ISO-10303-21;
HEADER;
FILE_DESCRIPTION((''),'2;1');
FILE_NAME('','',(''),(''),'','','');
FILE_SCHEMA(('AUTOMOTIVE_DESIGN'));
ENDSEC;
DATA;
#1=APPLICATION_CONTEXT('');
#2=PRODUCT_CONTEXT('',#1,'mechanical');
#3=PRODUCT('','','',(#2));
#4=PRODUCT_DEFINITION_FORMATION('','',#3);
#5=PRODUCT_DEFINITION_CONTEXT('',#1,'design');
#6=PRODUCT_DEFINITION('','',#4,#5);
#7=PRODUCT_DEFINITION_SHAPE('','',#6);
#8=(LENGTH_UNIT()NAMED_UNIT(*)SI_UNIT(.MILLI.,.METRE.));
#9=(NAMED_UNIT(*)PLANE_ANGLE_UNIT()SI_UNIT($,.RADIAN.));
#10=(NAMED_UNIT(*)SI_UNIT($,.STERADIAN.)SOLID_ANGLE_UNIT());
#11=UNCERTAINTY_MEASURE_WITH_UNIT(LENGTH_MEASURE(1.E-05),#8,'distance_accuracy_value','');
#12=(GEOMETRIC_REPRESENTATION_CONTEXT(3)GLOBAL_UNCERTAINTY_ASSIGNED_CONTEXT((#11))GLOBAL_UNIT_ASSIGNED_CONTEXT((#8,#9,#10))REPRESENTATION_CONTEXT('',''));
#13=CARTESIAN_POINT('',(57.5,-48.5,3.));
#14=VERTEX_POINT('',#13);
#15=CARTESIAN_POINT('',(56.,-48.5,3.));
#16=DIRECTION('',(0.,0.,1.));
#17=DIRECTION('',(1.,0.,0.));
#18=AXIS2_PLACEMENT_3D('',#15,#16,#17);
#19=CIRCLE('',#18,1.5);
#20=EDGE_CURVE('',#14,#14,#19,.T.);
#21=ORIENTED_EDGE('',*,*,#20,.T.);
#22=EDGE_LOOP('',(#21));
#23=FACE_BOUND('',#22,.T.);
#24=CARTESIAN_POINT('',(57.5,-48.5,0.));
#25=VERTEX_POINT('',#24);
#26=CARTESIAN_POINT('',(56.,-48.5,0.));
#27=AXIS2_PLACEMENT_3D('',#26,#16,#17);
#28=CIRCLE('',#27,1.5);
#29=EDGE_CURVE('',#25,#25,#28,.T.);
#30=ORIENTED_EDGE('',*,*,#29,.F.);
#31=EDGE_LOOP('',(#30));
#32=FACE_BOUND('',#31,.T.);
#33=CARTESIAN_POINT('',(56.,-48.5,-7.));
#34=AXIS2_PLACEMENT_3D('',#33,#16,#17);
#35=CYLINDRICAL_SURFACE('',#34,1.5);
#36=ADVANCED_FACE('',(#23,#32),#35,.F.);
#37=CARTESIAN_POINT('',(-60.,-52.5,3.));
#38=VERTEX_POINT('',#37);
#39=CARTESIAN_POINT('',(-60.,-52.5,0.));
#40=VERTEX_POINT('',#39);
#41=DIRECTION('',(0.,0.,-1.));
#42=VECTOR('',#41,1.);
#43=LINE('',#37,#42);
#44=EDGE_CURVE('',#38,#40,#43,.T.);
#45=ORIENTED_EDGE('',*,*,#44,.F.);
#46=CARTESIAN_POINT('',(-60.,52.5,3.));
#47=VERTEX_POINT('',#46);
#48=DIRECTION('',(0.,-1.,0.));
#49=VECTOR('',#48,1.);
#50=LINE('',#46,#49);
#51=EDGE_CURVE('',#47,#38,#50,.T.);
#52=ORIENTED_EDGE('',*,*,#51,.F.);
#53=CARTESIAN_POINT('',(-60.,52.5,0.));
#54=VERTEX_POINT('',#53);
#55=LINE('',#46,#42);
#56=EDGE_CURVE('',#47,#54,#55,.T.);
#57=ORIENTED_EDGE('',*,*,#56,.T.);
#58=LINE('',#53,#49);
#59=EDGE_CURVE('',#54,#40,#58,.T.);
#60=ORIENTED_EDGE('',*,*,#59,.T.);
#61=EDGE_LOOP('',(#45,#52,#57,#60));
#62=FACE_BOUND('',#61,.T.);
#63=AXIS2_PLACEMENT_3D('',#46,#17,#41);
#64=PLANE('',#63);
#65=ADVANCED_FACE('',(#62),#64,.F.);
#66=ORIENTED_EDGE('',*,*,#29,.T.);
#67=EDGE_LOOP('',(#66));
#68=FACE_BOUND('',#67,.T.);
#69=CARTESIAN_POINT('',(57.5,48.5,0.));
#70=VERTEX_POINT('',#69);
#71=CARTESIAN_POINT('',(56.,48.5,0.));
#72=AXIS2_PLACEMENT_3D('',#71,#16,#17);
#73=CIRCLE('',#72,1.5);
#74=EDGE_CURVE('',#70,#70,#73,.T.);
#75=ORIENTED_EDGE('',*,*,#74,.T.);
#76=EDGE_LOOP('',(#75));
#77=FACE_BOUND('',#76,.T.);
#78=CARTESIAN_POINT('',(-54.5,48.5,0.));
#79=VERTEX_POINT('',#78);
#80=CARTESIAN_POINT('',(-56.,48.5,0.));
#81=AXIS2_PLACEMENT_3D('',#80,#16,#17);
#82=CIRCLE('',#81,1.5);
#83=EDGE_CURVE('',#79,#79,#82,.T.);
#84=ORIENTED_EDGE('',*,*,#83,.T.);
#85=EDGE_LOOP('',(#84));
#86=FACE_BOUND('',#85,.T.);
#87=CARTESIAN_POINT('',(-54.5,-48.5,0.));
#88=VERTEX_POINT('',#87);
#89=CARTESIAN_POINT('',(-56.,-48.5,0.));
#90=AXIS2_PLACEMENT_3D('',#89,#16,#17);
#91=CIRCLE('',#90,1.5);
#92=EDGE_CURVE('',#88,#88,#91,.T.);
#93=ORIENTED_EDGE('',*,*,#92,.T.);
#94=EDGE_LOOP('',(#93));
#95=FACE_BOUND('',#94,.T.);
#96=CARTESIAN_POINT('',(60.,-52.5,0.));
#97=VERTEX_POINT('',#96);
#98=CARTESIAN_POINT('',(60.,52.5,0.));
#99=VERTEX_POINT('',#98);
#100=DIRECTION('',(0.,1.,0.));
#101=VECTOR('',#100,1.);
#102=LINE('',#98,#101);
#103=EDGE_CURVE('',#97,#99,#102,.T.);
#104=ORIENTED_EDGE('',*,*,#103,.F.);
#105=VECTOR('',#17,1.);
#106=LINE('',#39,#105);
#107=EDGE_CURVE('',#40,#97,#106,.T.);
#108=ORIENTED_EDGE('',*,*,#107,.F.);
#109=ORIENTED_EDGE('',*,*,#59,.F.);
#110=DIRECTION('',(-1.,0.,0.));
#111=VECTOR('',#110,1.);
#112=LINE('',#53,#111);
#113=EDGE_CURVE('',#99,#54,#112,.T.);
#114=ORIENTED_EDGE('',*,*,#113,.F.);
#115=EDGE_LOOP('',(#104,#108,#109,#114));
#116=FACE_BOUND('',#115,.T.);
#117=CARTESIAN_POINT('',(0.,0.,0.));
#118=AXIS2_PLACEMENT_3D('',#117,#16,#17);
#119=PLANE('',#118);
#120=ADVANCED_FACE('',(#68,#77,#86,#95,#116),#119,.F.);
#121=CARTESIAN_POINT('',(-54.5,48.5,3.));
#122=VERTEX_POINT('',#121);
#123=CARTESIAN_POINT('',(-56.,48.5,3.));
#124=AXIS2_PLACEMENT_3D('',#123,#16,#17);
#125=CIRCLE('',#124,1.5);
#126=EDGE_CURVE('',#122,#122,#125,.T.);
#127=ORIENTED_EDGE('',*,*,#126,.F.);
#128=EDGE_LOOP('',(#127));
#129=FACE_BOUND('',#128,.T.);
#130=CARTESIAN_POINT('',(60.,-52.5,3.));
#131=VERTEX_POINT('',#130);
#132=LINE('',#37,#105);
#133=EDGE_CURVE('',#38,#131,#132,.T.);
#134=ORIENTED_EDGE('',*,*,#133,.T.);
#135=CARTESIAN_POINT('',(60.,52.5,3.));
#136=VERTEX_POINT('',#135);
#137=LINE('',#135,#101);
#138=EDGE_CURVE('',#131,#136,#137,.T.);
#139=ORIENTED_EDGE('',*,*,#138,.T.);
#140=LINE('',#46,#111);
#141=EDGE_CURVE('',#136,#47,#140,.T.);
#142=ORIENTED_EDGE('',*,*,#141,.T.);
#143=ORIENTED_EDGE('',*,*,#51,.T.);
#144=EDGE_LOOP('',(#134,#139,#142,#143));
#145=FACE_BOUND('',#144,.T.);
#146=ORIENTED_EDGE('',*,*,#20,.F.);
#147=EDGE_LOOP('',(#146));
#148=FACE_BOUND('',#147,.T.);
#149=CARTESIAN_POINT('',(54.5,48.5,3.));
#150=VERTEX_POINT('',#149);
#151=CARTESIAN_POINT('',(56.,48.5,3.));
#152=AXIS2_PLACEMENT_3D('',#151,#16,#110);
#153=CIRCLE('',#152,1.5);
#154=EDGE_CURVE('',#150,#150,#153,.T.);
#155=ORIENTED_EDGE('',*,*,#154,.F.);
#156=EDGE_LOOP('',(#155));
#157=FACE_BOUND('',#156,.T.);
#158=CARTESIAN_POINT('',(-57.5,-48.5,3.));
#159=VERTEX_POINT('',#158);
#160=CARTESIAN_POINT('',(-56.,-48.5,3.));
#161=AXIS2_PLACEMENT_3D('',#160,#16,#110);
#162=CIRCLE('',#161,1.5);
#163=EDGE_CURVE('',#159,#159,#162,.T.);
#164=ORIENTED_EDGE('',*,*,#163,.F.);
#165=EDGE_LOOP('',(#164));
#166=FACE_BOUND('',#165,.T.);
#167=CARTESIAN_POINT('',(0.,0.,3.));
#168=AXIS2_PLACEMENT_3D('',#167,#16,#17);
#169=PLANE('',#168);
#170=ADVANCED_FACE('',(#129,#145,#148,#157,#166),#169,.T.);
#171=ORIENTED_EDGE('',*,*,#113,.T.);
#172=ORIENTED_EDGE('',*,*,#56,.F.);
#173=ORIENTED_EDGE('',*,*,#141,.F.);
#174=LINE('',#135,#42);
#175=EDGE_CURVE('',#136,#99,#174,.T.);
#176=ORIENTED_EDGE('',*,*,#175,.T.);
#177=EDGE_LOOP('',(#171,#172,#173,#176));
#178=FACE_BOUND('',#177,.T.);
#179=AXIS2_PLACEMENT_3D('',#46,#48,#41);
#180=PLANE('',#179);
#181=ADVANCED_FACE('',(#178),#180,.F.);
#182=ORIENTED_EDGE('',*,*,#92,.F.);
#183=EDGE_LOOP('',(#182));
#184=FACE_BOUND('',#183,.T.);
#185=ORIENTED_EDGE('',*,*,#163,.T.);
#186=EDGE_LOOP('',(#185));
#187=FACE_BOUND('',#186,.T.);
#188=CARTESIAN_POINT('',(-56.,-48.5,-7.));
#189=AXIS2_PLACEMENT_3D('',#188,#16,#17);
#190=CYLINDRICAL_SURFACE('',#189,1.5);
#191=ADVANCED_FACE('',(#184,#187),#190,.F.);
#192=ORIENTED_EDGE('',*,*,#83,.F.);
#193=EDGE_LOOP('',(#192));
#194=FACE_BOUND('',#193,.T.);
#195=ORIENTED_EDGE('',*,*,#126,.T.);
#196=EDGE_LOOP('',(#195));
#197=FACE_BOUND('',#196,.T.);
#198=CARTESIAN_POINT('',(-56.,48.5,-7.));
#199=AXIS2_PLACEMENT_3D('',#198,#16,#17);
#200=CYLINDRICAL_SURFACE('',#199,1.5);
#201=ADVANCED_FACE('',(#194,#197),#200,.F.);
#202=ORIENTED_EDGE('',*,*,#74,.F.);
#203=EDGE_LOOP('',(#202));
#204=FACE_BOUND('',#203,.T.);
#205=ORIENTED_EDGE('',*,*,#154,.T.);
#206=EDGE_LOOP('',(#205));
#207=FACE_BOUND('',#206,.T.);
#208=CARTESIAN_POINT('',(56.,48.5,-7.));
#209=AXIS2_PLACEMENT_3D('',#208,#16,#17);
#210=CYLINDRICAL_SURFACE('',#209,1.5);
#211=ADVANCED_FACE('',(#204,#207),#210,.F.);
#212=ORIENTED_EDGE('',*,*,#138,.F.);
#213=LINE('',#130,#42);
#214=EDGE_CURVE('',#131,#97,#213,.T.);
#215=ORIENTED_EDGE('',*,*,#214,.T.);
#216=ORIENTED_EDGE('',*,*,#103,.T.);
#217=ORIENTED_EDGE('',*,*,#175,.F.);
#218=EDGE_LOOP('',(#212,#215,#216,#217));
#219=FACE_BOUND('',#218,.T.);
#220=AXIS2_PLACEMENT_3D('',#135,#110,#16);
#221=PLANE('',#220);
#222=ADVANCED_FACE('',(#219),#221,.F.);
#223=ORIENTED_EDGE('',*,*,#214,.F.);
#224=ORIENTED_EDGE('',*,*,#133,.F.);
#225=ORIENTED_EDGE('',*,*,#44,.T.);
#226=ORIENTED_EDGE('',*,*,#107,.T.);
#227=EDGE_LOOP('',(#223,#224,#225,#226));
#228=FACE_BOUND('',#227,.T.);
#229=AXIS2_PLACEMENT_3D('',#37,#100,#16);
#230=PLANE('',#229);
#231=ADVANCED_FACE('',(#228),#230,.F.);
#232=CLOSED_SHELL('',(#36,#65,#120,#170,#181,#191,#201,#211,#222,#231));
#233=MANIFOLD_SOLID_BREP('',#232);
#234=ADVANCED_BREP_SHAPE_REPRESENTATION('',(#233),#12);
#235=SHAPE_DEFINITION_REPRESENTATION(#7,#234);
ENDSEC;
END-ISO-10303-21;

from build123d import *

# Parameters (mm, degrees)
SKETCH_1_W          = 120
SKETCH_1_H          = 105
EXTRUDE_1_DEPTH     = 3
SKETCH_2_R          = 1.5
CUT_EXTRUDE_1_DEPTH = 10


with BuildPart() as part:
    # 草图1 → 凸台-拉伸1 (new body)
    with BuildSketch(Plane.XY):
        Rectangle(SKETCH_1_W, SKETCH_1_H)
    extrude(amount=EXTRUDE_1_DEPTH)

    # 草图2 → 切除-拉伸1 (cut)
    with BuildSketch(Plane.XY.offset(3)):
        with Locations((-56, 48.5)):
            Circle(SKETCH_2_R)
        with Locations((56, 48.5)):
            Circle(SKETCH_2_R)
        with Locations((56, -48.5)):
            Circle(SKETCH_2_R)
        with Locations((-56, -48.5)):
            Circle(SKETCH_2_R)
    extrude(amount=-CUT_EXTRUDE_1_DEPTH, mode=Mode.SUBTRACT)


solid = part.part
